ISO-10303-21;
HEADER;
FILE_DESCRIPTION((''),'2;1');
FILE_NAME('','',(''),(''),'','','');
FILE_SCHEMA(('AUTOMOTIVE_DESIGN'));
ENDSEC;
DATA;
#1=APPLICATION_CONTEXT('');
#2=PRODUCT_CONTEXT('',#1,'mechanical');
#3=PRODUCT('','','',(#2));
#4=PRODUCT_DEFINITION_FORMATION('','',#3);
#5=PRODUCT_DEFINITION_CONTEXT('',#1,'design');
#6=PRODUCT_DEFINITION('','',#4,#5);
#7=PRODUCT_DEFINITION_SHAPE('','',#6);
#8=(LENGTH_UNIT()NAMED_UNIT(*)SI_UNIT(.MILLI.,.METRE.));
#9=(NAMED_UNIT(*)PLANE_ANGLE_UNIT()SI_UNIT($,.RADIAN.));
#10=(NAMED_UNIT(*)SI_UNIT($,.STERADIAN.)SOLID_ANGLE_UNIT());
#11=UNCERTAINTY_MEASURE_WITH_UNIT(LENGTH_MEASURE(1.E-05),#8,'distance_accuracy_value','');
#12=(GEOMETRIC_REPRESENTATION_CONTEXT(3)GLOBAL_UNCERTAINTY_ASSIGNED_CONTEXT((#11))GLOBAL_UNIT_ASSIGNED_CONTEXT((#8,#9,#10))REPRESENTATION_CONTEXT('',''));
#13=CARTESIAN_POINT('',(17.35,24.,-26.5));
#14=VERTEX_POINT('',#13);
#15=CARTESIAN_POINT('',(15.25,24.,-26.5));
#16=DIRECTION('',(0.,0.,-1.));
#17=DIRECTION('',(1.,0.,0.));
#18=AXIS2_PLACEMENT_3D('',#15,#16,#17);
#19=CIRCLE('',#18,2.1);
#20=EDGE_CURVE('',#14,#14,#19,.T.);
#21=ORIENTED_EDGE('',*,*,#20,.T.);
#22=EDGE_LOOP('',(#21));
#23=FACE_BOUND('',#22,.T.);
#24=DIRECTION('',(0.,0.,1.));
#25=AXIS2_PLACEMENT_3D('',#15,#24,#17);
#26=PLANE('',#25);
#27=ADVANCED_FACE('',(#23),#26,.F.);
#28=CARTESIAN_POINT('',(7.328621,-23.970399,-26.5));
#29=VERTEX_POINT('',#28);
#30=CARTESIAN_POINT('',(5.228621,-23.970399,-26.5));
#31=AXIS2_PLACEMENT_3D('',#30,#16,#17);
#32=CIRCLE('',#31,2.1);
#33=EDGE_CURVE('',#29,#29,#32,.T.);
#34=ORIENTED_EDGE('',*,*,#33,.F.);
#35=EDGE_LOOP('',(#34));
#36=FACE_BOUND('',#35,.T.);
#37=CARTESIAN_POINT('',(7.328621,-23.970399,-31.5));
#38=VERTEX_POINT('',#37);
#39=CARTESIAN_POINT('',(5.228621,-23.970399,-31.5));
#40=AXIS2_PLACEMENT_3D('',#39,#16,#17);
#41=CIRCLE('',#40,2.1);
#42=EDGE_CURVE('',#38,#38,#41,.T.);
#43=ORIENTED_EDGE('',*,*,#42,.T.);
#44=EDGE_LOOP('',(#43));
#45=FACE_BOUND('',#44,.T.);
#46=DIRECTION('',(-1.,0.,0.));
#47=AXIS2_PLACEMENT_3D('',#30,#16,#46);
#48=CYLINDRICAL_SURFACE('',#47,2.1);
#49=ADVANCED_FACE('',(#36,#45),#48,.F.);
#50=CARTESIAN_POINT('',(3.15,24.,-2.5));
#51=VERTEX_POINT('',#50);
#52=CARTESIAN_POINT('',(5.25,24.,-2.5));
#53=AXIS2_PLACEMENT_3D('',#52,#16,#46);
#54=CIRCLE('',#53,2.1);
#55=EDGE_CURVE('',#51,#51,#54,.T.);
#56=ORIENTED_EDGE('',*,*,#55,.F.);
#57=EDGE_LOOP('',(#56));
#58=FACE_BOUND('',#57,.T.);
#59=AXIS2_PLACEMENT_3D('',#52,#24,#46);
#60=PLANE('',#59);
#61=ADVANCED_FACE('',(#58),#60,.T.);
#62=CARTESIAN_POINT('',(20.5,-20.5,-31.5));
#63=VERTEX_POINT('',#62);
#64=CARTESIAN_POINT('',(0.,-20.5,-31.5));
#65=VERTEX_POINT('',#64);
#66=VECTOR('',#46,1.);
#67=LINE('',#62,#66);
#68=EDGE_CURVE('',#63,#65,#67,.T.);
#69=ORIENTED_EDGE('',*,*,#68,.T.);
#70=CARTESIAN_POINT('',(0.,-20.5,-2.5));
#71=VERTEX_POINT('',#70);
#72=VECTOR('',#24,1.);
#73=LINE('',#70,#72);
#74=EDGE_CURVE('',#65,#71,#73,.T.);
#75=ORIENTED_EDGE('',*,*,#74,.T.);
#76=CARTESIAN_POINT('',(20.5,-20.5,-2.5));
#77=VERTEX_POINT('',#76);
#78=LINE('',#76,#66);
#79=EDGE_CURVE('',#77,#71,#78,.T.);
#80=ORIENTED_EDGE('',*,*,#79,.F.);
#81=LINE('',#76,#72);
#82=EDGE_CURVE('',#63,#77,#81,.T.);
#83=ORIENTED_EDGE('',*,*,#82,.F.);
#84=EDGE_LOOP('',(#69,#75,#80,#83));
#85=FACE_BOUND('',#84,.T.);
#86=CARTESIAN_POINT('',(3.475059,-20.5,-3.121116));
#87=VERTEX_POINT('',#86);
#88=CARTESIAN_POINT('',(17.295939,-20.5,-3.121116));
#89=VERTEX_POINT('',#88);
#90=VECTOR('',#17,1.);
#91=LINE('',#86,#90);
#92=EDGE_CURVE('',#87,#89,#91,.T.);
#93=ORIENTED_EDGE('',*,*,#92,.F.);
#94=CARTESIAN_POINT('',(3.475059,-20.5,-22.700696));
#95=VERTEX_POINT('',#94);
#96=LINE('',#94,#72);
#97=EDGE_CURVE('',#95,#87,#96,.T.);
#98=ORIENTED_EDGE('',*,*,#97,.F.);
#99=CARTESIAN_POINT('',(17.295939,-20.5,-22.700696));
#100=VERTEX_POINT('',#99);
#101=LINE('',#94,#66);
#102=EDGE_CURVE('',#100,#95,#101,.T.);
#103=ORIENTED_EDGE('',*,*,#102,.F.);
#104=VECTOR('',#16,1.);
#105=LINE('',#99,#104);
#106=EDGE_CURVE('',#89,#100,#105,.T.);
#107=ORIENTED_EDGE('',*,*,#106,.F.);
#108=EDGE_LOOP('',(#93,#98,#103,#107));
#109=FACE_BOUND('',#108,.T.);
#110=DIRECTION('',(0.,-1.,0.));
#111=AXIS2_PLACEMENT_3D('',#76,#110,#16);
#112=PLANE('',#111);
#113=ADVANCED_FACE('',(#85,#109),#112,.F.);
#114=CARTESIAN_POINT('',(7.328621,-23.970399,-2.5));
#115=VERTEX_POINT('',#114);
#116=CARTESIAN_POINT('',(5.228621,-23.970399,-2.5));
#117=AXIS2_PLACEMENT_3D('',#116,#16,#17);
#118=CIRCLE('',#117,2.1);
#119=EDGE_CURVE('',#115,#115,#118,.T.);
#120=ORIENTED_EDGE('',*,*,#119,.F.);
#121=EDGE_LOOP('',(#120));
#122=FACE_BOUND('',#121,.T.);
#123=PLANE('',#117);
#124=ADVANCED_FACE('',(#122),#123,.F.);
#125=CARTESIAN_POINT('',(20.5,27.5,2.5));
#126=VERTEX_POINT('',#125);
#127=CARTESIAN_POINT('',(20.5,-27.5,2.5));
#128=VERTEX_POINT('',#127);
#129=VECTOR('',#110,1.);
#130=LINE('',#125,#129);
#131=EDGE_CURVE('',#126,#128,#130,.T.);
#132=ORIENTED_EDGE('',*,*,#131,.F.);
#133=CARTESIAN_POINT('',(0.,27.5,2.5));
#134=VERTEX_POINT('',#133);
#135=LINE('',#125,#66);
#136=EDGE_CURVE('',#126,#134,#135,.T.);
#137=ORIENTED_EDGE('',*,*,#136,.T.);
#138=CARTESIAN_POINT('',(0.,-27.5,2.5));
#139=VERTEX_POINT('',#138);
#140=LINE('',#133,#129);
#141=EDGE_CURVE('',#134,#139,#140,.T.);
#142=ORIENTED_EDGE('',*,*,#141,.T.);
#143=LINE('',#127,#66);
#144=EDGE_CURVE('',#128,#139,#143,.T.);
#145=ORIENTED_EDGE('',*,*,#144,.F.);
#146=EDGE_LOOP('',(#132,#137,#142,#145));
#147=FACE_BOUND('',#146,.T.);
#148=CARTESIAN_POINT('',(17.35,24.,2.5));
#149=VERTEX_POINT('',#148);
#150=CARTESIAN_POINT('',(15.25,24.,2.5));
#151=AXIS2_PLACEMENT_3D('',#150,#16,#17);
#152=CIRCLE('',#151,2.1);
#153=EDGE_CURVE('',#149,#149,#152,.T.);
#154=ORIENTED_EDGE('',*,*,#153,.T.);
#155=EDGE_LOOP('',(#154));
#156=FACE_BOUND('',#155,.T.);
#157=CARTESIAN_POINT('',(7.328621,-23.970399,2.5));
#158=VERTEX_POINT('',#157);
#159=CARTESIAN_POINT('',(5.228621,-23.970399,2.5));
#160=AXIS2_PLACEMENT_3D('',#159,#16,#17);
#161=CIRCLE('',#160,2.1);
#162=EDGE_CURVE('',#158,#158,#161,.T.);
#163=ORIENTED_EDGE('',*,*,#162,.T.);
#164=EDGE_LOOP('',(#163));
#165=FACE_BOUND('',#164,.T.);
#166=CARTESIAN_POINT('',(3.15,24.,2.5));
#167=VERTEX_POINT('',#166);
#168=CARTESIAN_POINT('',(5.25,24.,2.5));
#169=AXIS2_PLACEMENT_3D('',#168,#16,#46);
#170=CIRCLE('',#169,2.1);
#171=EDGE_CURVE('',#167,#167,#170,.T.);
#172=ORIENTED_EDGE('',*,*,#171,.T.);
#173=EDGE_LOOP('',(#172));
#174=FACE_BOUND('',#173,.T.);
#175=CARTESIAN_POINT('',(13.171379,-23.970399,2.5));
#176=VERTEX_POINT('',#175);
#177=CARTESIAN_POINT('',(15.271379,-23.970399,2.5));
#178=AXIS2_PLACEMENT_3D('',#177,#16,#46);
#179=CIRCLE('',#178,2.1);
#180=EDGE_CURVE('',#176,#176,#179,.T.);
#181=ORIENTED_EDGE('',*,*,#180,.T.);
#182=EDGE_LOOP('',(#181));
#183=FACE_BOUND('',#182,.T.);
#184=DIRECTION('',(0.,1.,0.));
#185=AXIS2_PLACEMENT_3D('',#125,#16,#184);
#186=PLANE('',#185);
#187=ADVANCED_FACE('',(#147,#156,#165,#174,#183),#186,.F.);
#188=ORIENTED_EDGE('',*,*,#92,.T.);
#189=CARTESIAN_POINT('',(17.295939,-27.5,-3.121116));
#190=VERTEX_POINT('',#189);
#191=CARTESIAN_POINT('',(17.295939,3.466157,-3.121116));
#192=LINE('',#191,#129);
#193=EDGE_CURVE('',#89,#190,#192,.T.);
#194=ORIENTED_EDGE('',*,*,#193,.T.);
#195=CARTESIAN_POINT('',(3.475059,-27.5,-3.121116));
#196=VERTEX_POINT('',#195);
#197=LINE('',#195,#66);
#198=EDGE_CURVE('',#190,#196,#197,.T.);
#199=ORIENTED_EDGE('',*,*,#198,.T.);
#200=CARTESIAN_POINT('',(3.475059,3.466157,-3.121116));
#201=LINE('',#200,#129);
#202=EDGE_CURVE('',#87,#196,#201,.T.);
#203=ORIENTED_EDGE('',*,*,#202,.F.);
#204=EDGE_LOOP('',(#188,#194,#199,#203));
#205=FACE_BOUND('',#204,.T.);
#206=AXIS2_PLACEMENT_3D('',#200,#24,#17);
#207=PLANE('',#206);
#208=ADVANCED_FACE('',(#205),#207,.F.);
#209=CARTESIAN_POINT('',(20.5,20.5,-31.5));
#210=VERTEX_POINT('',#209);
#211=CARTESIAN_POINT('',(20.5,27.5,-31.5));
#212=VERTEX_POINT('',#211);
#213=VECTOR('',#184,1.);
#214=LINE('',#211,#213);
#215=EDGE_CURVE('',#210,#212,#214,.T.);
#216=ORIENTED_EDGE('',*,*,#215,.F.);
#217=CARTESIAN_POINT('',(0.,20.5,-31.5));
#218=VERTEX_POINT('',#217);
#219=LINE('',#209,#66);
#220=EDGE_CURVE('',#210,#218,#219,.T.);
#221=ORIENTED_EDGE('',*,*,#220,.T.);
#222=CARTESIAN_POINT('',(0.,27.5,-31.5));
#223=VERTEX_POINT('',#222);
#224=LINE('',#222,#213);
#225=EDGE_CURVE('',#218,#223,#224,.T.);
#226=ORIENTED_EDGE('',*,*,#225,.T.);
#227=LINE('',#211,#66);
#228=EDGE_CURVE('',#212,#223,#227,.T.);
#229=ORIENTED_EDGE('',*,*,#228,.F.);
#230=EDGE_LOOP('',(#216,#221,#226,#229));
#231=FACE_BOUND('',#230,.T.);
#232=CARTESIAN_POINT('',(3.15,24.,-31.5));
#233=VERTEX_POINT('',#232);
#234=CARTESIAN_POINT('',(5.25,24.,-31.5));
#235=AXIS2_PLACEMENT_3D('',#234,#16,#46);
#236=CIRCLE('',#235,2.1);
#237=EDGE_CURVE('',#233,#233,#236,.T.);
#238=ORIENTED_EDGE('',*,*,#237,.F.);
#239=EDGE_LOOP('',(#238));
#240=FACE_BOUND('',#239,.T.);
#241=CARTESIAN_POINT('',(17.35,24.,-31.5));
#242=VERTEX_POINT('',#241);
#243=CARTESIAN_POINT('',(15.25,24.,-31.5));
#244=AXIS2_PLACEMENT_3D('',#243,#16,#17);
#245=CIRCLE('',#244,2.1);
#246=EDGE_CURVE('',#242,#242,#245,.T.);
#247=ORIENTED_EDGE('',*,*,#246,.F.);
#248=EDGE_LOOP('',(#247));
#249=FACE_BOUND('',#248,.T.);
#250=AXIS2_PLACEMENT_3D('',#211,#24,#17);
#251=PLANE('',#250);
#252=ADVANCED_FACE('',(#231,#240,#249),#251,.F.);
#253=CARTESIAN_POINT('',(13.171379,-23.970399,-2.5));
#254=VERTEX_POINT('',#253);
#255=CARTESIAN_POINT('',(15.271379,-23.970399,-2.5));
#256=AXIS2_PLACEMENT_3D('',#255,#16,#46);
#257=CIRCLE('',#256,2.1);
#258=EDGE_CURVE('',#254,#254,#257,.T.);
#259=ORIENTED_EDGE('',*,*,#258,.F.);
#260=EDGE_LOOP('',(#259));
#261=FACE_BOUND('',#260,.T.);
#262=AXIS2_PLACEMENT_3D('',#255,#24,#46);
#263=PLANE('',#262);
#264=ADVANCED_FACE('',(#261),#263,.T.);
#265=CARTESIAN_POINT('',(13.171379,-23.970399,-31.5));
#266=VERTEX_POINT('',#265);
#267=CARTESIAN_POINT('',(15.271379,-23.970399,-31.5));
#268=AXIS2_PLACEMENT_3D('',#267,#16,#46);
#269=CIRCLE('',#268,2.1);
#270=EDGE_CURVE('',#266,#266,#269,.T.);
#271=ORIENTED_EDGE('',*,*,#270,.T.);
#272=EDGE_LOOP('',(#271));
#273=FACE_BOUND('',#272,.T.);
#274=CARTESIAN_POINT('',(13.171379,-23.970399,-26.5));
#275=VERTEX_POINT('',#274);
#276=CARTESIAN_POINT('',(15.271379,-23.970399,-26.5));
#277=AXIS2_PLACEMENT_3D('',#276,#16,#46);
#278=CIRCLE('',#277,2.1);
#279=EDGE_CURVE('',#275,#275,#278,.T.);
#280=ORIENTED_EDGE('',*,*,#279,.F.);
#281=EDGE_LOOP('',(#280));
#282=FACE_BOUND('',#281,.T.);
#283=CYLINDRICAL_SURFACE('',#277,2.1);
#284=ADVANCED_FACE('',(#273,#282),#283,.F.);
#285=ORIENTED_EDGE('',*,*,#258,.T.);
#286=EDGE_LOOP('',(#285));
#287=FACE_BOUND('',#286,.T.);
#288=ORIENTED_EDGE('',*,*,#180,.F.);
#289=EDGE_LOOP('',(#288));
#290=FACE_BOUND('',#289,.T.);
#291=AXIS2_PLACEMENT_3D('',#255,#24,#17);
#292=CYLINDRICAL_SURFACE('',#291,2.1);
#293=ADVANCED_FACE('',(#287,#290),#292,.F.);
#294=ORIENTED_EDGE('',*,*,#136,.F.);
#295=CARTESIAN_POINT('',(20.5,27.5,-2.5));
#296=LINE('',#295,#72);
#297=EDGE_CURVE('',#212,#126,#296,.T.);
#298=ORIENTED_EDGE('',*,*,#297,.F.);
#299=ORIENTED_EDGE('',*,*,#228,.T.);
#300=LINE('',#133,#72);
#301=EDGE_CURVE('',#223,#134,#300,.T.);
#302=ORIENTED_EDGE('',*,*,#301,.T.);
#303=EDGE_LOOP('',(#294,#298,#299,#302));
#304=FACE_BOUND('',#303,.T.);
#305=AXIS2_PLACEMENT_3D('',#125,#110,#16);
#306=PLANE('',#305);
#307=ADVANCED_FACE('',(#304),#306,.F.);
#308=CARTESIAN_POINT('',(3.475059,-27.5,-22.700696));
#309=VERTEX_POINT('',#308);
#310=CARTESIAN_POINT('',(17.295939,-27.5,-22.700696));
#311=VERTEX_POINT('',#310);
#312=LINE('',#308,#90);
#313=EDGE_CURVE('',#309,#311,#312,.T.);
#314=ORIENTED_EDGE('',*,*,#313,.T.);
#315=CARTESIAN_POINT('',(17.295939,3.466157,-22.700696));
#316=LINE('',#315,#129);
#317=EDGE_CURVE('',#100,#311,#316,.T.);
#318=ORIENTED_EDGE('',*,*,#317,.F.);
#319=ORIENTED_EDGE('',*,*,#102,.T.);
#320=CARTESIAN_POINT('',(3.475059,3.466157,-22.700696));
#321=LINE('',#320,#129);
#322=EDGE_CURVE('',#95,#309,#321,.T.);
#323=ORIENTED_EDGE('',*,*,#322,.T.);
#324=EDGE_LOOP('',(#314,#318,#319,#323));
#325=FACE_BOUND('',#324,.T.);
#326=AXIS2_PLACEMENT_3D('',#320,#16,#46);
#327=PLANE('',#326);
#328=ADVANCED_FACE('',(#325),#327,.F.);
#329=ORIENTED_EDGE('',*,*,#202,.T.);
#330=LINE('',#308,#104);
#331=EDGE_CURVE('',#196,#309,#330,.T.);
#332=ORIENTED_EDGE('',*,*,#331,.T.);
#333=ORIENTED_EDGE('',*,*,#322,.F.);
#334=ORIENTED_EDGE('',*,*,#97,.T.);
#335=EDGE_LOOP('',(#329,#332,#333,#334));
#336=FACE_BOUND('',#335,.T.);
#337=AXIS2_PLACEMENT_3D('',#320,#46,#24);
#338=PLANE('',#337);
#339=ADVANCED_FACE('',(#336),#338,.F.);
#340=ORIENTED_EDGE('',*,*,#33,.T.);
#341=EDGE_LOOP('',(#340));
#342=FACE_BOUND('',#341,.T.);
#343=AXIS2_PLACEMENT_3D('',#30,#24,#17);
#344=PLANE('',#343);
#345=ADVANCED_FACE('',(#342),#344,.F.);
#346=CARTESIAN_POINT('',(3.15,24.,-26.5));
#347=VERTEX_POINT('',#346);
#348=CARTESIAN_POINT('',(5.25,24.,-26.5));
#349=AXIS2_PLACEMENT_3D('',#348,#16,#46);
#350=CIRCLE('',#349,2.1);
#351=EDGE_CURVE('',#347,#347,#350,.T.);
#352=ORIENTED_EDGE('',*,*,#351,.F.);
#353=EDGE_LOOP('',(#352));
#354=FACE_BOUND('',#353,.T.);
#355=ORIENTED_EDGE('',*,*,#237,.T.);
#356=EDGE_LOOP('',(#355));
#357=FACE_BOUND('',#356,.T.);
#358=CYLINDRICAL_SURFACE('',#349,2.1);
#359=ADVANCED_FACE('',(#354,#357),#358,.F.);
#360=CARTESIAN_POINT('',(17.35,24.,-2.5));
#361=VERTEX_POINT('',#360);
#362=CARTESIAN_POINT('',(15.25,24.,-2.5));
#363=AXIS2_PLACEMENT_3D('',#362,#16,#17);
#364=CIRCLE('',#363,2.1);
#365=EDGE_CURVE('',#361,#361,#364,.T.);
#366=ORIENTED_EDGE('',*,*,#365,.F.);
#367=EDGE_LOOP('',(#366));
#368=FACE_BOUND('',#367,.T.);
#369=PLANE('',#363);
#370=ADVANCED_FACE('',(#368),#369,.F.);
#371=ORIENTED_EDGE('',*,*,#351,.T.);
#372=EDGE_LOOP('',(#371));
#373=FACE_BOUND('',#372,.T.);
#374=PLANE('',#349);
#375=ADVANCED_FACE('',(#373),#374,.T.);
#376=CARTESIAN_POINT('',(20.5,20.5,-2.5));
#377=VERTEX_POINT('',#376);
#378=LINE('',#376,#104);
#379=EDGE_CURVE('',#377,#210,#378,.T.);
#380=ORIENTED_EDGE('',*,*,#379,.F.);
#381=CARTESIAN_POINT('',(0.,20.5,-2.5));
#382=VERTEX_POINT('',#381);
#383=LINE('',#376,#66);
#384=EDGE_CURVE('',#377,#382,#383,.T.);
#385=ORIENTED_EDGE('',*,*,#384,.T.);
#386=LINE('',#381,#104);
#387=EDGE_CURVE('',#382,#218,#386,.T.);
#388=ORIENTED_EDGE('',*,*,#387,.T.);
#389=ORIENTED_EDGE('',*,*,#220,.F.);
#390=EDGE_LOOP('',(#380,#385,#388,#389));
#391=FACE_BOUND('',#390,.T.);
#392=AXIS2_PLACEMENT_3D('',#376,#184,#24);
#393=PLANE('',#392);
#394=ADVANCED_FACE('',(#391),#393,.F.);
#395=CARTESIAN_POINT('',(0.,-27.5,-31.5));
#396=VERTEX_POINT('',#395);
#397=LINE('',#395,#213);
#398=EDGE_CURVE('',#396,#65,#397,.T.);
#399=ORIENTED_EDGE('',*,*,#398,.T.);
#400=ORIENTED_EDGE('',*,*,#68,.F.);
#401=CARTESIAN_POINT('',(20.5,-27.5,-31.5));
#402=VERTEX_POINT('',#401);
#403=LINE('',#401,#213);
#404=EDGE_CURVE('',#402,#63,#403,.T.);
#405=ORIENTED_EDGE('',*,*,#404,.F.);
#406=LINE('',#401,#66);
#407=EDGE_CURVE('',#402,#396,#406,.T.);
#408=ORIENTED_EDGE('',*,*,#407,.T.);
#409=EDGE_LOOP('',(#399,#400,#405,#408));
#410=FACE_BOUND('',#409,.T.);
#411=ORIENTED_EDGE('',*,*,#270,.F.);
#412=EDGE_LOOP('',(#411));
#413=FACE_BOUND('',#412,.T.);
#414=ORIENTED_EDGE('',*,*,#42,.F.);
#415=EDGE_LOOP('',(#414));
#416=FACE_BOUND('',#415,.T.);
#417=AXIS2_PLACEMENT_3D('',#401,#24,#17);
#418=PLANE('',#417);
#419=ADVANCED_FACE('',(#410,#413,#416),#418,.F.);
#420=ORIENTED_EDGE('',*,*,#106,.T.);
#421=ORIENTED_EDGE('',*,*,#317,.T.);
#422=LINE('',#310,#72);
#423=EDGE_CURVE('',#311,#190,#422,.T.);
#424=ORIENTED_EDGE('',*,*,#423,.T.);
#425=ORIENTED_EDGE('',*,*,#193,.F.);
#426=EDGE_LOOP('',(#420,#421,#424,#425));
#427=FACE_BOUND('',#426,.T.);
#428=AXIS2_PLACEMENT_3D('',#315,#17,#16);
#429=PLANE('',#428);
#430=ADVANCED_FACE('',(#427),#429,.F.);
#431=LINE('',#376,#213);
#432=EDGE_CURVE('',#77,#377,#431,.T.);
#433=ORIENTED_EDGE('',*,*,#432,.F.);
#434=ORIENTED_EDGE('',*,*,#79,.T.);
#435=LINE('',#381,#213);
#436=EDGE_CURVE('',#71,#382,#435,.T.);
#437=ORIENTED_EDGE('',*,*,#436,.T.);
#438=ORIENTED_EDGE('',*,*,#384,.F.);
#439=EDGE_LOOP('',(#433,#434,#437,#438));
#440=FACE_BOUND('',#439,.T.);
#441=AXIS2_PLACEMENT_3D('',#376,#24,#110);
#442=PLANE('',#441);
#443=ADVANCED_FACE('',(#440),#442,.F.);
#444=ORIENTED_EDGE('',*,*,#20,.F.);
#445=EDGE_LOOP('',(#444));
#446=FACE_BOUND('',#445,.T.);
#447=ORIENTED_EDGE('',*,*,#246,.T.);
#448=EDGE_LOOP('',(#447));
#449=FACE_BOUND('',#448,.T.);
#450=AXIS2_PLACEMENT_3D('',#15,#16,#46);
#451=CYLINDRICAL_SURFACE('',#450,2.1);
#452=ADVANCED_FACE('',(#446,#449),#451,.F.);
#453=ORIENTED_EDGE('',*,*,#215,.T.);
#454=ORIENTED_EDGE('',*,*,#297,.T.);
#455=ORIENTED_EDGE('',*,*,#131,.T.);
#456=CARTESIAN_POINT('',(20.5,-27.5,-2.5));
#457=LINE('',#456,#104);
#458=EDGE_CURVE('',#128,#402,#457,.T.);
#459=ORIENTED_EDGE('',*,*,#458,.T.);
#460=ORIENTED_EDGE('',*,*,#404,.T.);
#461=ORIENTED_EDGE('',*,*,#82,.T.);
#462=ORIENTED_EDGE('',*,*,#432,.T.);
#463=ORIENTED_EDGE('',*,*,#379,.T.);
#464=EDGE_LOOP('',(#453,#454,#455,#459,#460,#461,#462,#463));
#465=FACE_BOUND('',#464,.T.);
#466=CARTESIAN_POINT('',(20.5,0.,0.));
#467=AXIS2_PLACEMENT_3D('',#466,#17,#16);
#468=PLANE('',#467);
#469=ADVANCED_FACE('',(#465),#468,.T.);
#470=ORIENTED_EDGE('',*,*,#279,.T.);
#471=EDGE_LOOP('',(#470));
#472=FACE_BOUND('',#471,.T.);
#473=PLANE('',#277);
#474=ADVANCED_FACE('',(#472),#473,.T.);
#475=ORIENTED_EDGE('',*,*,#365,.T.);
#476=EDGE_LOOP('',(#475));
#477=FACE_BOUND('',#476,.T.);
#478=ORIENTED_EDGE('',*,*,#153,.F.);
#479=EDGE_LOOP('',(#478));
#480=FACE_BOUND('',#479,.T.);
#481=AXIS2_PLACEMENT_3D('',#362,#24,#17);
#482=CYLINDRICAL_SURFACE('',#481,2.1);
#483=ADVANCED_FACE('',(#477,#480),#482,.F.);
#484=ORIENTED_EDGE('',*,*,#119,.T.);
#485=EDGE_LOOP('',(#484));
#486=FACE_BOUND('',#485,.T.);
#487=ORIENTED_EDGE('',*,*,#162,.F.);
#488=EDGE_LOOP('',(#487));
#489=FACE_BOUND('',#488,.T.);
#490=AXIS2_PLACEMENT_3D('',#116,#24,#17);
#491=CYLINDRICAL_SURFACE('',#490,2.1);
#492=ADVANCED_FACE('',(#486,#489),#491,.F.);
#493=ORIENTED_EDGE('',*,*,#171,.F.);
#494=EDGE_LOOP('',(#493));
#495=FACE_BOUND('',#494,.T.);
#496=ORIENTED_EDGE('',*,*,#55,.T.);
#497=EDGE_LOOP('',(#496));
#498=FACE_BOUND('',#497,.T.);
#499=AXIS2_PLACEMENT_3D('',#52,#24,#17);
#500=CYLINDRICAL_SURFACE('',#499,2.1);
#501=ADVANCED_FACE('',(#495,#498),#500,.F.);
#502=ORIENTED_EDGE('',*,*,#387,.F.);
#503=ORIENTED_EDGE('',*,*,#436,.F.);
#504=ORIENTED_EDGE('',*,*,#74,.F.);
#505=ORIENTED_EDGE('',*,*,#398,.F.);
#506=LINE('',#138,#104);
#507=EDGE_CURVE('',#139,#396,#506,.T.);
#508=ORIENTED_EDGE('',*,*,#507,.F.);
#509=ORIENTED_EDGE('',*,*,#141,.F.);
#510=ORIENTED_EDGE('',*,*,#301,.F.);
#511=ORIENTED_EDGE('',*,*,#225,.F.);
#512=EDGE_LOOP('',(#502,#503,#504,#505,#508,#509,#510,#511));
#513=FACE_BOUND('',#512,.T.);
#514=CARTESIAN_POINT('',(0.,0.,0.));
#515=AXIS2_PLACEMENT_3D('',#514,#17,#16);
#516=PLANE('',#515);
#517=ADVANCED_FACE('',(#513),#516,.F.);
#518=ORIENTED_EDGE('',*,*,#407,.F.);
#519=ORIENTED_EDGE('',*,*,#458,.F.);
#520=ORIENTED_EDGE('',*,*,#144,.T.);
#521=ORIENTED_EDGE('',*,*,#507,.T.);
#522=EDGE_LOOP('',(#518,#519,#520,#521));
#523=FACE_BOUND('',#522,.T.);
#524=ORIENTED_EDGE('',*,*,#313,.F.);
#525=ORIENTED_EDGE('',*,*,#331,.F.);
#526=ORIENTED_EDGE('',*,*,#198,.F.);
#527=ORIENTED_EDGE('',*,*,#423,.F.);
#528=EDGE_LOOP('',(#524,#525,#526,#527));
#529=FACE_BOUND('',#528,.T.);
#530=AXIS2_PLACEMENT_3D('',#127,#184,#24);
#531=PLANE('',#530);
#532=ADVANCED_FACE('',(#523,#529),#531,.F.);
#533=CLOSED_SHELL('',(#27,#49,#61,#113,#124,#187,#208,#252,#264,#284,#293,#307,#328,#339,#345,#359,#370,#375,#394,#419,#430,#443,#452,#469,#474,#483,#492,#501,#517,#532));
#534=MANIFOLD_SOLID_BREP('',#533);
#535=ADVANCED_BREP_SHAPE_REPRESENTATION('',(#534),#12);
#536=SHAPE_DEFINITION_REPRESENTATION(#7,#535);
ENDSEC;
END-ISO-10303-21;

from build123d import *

# Parameters (mm, degrees)
BOSS_EXTRUDE1_DEPTH = 20.5
SKETCH3_W           = 13.820879987
SKETCH3_H           = 19.579579981
CUT_EXTRUDE1_DEPTH  = 7
SKETCH4_R           = 2.1
CUT_EXTRUDE2_DEPTH  = 5


with BuildPart() as part:
    # Sketch1 → Boss-Extrude1 (new body)
    with BuildSketch(Plane(origin=(0, 0, 0), x_dir=(0, 0, -1), z_dir=(1, 0, 0))):
        Polygon((-2.5, 27.5), (2.5, 27.5), (31.5, 27.5), (31.5, 20.5), (2.5, 20.5), (2.5, -20.5), (31.5, -20.5), (31.5, -27.5), (2.5, -27.5), (-2.5, -27.5), align=None)
    extrude(amount=BOSS_EXTRUDE1_DEPTH)

    # Sketch3 → Cut-Extrude1 (cut)
    with BuildSketch(Plane.XZ.offset(27.5)):
        with Locations((10.385498824, -12.910906187)):
            Rectangle(SKETCH3_W, SKETCH3_H)
    extrude(amount=-CUT_EXTRUDE1_DEPTH, mode=Mode.SUBTRACT)

    # Sketch4 → Cut-Extrude2 (cut)
    with BuildSketch(Plane(origin=(0, 0, -31.5), x_dir=(-1, 0, 0), z_dir=(0, 0, -1))):
        with Locations((-15.271378587, -23.970399076)):
            Circle(SKETCH4_R)
        with Locations(Location((-5.228621413, -23.970399076, 0), (0, 0, 180))):
            Circle(SKETCH4_R)
        with Locations((-5.25, 24)):
            Circle(SKETCH4_R)
        with Locations(Location((-15.25, 24, 0), (0, 0, 180))):
            Circle(SKETCH4_R)
    cut_extrude2 = extrude(amount=-CUT_EXTRUDE2_DEPTH, mode=Mode.SUBTRACT)

    # Mirror1: Cut-Extrude2 across plane
    add(cut_extrude2.mirror(Plane.XY.offset(-14.5)), mode=Mode.SUBTRACT)


solid = part.part
